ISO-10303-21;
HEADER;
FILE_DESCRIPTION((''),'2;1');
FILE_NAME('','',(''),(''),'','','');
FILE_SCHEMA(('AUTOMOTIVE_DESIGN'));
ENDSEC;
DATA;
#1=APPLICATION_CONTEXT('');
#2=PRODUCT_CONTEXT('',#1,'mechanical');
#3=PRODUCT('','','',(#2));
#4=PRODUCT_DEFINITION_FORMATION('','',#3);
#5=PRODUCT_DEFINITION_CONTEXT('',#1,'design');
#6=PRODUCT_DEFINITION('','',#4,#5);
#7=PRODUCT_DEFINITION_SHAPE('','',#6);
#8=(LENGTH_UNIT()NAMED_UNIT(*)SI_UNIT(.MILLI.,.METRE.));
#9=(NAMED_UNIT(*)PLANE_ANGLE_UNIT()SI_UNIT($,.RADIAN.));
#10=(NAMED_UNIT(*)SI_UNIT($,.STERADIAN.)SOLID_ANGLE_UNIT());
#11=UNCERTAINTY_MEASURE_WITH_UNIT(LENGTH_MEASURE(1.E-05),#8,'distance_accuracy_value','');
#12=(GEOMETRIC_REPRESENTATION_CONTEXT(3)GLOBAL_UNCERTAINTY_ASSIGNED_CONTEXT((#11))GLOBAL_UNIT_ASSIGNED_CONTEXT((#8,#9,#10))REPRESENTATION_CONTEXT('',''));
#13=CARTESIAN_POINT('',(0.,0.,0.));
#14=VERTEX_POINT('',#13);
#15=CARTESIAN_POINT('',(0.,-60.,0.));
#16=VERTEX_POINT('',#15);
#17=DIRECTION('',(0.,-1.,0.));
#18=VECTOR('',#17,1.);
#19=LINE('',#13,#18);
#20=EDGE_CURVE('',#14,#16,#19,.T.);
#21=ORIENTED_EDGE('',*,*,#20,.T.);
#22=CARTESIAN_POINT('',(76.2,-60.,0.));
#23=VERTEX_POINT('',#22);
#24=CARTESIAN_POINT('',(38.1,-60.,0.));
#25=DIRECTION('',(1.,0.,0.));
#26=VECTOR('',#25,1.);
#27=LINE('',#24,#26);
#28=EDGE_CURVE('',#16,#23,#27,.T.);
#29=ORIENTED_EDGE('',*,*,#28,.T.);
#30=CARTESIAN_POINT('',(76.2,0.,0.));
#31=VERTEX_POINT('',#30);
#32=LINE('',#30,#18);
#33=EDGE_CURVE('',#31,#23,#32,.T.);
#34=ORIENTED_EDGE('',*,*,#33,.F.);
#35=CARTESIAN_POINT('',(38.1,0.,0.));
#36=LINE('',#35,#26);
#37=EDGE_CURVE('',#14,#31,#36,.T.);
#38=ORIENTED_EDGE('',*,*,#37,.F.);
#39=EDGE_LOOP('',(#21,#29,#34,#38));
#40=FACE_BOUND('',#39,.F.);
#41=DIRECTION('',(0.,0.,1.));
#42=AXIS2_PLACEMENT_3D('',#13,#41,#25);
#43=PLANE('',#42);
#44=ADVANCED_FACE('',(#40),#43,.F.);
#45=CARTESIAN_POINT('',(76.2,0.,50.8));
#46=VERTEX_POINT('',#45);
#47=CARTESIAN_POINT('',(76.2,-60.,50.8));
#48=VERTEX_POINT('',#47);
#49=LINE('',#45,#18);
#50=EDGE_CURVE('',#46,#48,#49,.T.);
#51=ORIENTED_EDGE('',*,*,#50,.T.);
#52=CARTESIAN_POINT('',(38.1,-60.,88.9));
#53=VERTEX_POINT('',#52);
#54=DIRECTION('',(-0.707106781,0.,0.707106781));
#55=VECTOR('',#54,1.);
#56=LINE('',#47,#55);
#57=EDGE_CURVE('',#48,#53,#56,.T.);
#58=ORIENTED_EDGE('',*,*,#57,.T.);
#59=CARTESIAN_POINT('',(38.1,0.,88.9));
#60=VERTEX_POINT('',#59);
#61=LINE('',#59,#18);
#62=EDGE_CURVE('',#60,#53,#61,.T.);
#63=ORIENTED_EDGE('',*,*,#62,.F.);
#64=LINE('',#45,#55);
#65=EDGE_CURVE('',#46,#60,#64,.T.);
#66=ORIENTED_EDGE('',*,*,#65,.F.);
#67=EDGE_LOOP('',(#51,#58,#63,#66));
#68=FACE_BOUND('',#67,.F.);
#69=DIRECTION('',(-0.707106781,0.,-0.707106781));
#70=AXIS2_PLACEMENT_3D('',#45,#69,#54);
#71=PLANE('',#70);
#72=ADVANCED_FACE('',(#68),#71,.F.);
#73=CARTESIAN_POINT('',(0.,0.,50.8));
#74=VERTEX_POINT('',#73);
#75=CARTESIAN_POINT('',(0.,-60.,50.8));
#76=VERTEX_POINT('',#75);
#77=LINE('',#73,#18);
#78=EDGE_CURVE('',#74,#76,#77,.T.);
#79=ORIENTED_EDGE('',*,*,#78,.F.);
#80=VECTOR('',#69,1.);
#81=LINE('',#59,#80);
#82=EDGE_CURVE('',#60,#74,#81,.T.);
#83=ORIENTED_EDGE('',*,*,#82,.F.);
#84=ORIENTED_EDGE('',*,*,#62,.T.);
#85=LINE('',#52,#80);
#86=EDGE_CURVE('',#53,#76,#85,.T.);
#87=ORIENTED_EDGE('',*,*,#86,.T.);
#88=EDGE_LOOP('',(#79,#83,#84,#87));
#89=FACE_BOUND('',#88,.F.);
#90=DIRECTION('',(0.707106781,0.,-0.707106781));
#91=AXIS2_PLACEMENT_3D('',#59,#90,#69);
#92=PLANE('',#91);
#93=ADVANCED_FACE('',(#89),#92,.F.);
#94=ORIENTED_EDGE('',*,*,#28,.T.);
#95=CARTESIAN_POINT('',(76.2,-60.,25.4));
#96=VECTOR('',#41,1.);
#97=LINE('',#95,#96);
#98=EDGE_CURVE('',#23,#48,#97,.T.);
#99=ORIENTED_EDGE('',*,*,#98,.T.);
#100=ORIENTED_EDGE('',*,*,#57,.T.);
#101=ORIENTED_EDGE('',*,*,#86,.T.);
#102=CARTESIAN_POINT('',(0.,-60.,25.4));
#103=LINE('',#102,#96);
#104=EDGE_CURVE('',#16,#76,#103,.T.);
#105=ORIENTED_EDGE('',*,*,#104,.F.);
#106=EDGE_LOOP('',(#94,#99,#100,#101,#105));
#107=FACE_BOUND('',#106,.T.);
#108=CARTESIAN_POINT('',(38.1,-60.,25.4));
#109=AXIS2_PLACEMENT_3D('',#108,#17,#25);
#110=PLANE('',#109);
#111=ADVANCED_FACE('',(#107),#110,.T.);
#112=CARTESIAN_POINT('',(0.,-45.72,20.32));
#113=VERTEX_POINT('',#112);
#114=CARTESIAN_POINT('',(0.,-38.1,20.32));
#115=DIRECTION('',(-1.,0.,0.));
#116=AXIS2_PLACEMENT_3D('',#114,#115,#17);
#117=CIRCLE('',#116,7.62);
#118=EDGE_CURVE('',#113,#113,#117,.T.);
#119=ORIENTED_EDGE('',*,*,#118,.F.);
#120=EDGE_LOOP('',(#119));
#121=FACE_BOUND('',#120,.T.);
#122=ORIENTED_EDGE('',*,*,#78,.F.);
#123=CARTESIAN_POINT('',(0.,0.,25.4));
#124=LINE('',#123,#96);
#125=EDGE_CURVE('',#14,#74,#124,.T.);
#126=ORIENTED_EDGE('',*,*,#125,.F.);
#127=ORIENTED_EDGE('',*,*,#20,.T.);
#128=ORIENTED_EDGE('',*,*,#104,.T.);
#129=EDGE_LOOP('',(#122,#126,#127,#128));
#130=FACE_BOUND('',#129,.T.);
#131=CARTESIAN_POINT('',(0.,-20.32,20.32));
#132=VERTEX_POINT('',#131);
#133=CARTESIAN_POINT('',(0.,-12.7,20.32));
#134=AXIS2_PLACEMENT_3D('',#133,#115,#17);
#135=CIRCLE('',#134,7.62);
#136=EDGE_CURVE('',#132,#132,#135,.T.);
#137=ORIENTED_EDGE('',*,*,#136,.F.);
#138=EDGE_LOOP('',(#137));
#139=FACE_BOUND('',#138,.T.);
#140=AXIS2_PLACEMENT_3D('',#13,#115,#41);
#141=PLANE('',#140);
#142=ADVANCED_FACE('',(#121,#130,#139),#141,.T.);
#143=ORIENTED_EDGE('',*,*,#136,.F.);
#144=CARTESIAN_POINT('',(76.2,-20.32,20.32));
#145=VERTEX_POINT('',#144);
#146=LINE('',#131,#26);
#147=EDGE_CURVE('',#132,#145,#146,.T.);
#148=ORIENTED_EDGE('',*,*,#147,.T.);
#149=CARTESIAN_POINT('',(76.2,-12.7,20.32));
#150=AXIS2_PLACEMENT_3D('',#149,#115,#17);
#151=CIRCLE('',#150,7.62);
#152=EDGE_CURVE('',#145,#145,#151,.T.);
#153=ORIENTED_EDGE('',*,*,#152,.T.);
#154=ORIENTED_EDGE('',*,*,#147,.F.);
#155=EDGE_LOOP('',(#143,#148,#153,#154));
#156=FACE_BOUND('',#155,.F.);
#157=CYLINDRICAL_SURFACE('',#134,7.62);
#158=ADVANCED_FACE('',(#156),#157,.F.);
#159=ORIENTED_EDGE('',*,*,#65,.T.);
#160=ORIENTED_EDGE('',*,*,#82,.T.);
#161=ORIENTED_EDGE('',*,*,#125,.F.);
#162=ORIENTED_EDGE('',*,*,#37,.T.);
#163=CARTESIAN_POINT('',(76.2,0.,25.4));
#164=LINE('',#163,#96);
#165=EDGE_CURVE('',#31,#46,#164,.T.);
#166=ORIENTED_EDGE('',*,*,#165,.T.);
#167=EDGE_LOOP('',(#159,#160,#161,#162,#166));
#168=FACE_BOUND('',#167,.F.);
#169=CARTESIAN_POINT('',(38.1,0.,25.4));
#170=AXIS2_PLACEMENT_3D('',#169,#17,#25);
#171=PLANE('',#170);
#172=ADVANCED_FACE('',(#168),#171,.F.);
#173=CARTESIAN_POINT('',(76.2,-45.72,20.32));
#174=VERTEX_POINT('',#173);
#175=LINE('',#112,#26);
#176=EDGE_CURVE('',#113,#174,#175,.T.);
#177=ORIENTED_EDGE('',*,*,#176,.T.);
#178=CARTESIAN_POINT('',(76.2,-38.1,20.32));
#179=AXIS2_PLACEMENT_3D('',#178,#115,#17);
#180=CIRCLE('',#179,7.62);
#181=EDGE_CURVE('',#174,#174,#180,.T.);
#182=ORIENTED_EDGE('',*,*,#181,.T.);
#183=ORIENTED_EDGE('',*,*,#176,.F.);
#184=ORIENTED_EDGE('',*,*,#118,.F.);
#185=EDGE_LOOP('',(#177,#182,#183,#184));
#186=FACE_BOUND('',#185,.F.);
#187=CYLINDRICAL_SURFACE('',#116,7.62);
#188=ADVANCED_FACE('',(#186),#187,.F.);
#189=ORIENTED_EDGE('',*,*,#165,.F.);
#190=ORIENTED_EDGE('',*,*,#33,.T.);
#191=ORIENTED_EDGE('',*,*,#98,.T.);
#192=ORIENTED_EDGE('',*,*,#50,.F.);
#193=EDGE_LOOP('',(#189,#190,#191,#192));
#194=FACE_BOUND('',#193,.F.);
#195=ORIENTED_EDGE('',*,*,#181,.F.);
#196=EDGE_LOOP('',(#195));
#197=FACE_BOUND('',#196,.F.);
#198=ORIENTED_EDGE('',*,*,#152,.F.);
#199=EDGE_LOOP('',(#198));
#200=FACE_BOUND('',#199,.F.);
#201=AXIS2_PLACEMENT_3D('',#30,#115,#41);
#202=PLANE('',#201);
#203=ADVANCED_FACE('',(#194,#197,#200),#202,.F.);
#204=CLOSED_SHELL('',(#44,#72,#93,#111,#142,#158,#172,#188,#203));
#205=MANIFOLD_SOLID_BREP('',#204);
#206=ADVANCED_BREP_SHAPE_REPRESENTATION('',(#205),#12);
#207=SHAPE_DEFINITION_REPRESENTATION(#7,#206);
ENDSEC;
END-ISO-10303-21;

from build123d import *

# Parameters (mm, degrees)
F0_W     = 76.2
F0_H     = 50.8
F1_DEPTH = 60
F2_R     = 7.62
F3_DEPTH = 76.201
F4_DEPTH = 76.201


with BuildPart() as f1:
    # F0 (on Front) → F1 (new body)
    with BuildSketch(Plane.XZ):
        with Locations((38.1, 25.4)):
            Rectangle(F0_W, F0_H)
        Polygon((38.1, 88.9), (0, 50.8), (76.2, 50.8), align=None)
    extrude(amount=F1_DEPTH)

    # F2 (on face) → F3 (cut, through all)
    with BuildSketch(Plane(origin=(0, 0, 0), x_dir=(0, -1, 0), z_dir=(-1, 0, 0))):
        with Locations((12.7, 20.32)):
            Circle(F2_R)
    extrude(amount=-F3_DEPTH, mode=Mode.SUBTRACT)

    # F2 (on face) → F4 (cut, through all)
    with BuildSketch(Plane(origin=(0, 0, 0), x_dir=(0, -1, 0), z_dir=(-1, 0, 0))):
        with Locations((12.7, 20.32)):
            Circle(F2_R)
        with Locations((38.1, 20.32)):
            Circle(F2_R)
    extrude(amount=-F4_DEPTH, mode=Mode.SUBTRACT)


solid = f1.part
